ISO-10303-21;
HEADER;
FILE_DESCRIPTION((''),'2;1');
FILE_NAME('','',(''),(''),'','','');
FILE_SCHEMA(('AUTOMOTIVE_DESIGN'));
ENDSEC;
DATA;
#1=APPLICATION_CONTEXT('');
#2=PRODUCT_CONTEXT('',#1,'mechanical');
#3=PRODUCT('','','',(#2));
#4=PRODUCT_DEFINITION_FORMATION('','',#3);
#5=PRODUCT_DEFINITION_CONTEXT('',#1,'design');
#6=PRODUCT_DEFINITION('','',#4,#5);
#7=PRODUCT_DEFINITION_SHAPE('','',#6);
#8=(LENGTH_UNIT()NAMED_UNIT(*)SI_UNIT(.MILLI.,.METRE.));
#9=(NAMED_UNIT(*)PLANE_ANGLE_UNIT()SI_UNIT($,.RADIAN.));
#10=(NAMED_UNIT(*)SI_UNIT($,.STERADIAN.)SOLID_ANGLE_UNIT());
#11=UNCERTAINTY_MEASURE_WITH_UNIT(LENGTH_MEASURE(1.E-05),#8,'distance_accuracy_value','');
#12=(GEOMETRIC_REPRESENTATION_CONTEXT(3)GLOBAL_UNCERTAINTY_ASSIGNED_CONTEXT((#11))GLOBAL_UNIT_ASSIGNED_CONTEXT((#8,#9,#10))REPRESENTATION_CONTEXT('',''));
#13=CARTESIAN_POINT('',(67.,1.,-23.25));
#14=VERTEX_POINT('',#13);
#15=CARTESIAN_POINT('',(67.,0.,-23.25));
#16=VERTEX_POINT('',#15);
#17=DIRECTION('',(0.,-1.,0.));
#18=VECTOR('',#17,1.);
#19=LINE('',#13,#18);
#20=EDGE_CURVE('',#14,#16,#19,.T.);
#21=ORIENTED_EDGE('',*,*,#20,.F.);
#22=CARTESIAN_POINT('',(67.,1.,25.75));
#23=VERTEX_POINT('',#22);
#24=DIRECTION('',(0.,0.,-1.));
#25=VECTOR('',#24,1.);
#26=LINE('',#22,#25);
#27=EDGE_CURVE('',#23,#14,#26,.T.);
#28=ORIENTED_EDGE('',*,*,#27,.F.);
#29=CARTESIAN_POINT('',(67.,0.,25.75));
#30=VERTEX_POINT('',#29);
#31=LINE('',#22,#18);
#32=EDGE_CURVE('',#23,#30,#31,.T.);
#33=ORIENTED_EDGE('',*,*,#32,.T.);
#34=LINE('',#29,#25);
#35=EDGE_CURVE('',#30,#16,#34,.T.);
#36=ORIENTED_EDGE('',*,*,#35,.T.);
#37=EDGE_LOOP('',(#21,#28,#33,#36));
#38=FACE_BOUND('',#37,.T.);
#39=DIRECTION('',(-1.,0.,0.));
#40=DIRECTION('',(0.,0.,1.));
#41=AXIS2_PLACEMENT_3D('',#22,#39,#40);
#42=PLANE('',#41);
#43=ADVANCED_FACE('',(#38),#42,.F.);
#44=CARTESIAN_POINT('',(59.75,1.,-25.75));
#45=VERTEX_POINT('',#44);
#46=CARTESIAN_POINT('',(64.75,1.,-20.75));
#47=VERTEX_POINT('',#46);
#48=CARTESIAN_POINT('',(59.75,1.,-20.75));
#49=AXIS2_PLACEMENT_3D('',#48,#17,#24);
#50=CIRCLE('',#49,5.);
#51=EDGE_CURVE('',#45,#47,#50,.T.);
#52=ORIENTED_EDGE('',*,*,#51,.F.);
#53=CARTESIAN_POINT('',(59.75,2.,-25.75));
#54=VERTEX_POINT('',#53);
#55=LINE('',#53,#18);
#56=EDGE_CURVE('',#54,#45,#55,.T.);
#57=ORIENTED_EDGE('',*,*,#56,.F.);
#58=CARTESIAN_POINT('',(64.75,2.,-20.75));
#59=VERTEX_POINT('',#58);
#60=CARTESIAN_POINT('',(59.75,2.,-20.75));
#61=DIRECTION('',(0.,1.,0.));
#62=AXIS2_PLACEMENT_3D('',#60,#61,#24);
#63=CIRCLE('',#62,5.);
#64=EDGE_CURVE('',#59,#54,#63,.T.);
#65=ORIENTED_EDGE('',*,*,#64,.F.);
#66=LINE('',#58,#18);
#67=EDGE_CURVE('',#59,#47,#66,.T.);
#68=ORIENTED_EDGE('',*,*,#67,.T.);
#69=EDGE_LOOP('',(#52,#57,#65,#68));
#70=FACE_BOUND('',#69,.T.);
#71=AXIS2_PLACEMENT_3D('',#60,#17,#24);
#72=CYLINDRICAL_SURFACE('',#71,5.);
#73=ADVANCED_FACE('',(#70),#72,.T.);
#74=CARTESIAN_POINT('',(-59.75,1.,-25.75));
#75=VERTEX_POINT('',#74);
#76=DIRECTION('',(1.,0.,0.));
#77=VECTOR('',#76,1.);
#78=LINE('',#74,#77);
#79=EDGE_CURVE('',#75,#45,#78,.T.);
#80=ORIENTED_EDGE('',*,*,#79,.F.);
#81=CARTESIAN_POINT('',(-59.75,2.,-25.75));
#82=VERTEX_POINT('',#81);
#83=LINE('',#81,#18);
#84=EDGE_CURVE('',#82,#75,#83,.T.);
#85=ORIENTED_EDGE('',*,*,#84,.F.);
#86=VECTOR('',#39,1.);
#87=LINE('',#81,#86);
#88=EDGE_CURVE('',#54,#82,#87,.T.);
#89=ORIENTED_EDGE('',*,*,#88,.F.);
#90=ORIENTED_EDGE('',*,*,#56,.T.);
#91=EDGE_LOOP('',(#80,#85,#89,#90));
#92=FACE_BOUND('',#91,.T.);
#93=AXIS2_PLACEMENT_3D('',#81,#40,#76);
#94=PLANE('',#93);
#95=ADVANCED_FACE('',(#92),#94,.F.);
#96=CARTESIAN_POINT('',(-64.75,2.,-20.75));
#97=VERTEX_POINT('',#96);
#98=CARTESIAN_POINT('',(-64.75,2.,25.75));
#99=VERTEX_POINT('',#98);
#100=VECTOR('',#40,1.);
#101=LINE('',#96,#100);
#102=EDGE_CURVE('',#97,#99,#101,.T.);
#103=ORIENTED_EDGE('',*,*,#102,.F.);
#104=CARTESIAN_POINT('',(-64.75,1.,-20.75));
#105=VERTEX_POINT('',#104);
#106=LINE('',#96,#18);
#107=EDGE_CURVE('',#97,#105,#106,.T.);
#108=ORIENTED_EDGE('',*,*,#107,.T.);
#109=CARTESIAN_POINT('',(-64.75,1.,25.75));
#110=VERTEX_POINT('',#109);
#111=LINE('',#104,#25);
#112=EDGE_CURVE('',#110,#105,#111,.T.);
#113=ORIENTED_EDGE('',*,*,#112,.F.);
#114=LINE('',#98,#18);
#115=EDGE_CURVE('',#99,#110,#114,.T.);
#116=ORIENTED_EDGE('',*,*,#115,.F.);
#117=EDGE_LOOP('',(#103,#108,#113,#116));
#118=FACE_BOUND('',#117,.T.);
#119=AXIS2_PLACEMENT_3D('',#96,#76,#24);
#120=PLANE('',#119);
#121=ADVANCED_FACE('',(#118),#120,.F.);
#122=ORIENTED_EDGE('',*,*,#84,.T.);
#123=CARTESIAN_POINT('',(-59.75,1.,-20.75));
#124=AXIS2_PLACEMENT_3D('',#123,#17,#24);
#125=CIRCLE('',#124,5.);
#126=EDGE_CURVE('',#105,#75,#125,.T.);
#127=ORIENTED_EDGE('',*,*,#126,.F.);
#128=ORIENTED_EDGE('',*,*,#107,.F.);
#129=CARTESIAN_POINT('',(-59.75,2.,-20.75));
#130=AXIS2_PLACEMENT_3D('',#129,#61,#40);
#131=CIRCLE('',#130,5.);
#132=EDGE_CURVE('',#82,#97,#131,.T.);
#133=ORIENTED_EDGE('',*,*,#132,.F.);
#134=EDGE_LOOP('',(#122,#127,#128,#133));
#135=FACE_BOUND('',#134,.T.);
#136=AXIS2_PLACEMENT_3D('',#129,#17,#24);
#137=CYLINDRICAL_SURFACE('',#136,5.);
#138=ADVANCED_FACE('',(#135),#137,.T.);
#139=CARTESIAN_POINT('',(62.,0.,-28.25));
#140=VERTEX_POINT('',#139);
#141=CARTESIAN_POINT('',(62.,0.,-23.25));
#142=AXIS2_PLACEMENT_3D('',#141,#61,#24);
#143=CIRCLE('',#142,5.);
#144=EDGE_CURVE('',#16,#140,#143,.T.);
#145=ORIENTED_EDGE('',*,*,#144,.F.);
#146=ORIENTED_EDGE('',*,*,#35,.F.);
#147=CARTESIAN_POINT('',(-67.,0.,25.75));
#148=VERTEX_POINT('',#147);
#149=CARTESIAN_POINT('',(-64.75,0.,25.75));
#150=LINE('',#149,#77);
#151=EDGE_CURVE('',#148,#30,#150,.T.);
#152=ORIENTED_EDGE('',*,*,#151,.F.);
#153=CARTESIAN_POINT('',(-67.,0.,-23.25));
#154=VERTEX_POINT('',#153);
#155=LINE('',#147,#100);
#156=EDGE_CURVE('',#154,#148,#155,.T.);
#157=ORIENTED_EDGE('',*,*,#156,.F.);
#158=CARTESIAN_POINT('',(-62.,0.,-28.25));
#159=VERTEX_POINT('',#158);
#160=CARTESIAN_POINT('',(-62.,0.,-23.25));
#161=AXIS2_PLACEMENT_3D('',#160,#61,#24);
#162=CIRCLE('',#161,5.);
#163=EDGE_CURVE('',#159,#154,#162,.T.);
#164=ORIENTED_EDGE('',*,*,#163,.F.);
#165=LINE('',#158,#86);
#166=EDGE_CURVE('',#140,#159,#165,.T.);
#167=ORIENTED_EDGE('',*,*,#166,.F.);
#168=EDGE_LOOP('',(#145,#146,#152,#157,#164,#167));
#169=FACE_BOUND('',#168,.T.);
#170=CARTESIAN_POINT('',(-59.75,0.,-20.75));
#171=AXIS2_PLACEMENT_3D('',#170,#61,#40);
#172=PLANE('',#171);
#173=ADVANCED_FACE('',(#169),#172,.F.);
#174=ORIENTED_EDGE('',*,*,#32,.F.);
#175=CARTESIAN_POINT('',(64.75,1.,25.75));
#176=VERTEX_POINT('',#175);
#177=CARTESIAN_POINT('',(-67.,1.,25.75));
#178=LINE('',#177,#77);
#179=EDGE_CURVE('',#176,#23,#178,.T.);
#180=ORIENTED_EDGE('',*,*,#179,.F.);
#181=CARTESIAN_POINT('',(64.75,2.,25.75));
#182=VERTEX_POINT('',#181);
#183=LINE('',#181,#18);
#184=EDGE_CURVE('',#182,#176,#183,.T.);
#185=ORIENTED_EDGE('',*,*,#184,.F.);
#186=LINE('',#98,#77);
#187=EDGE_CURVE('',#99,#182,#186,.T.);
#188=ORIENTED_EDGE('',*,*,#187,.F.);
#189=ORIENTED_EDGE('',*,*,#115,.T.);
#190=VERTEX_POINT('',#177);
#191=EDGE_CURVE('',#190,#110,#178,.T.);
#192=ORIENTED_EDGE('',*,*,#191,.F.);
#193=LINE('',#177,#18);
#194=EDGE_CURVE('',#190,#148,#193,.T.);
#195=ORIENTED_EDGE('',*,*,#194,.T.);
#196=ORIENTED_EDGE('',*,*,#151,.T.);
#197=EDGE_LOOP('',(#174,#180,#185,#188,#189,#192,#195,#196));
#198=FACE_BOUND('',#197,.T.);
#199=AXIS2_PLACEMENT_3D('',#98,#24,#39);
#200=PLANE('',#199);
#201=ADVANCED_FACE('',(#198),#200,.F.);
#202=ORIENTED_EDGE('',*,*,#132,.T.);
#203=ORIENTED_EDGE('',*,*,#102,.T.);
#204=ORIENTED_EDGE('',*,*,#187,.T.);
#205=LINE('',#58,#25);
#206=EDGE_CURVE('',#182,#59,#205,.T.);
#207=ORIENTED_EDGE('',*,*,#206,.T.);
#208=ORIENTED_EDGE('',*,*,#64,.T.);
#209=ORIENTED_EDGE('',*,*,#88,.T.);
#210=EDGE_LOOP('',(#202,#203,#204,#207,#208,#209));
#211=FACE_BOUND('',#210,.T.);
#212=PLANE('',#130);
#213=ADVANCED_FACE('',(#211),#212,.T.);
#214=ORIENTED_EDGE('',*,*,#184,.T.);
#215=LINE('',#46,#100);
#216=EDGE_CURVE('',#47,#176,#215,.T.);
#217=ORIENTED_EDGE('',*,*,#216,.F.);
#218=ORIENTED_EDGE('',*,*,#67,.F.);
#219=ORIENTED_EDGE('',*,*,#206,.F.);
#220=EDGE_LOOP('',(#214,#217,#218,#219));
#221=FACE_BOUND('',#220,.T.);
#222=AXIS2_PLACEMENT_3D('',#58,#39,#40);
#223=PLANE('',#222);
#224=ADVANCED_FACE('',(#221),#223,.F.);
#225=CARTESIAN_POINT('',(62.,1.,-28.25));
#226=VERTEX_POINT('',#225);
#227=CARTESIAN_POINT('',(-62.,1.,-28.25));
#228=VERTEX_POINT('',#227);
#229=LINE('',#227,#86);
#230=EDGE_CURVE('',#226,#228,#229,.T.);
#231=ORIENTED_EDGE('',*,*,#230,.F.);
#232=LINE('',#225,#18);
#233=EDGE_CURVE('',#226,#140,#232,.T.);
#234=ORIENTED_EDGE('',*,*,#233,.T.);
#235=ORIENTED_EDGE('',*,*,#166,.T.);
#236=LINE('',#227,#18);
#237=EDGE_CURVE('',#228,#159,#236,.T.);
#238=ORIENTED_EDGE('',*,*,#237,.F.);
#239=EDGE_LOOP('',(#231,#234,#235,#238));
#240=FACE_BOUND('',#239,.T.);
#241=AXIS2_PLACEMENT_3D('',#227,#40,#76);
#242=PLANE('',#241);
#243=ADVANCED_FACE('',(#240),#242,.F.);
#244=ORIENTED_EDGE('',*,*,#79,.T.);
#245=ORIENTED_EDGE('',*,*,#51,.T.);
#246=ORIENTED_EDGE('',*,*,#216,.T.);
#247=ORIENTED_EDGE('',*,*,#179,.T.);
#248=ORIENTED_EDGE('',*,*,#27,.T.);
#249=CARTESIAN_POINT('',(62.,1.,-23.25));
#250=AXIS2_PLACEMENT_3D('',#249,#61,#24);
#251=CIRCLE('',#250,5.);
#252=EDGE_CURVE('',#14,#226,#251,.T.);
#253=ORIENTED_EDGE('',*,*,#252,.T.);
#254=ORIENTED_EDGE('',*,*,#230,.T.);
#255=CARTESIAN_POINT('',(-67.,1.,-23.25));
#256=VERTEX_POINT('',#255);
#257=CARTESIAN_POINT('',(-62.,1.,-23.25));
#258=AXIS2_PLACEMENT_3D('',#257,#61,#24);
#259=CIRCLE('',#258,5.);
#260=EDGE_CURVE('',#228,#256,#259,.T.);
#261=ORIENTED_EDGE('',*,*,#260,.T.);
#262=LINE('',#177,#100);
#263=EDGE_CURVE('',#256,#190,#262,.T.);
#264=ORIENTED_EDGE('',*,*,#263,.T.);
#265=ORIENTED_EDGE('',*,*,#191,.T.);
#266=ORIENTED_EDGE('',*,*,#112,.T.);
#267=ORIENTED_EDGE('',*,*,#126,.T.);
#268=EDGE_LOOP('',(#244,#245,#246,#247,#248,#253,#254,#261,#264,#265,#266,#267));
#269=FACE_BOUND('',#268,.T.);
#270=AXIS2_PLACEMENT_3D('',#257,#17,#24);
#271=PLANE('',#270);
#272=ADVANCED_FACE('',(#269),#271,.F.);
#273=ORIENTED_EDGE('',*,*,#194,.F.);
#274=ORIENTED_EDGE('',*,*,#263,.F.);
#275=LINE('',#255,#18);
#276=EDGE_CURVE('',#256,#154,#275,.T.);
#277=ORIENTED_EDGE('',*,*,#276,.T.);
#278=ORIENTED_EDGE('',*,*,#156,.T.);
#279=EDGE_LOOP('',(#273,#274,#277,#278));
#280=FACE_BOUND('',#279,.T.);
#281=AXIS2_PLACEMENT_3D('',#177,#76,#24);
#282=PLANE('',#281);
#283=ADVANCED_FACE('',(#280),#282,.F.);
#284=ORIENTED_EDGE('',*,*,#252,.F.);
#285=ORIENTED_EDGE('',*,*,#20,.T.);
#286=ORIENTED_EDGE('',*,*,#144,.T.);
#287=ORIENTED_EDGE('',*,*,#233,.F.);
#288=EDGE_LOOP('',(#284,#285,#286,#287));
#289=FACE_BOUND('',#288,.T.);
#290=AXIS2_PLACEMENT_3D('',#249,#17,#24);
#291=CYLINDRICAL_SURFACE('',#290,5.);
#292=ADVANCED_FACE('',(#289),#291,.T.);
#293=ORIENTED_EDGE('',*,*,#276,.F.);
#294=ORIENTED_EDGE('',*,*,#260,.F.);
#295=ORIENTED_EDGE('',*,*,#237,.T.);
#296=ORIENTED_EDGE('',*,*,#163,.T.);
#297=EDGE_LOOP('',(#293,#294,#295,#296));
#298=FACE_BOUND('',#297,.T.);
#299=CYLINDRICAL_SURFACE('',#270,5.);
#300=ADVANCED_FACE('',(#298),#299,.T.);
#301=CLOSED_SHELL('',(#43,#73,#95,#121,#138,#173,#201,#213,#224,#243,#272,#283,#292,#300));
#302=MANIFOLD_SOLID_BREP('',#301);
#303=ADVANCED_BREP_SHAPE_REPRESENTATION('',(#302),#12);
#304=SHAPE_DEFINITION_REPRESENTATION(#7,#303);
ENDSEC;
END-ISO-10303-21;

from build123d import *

# Parameters (mm, degrees)
BOSS_EXTRUDE1_DEPTH = 2
BOSS_EXTRUDE2_DEPTH = 1


with BuildPart() as part:
    # Sketch1 → Boss-Extrude1 (new body)
    with BuildSketch(Plane(origin=(0, 0, 0), x_dir=(1, 0, 0), z_dir=(0, 1, 0))):
        with BuildLine():
            Line((-59.75, 25.75), (59.75, 25.75))
            ThreePointArc((59.75, 25.75), (63.285533906, 24.285533906), (64.75, 20.75))
            Line((64.75, 20.75), (64.75, -25.75))
            Line((64.75, -25.75), (-64.75, -25.75))
            Line((-64.75, -25.75), (-64.75, 20.75))
            ThreePointArc((-64.75, 20.75), (-63.285533906, 24.285533906), (-59.75, 25.75))
        make_face()
    extrude(amount=BOSS_EXTRUDE1_DEPTH)

    # Sketch2 → Boss-Extrude2 (add)
    with BuildSketch(Plane(origin=(0, 0, 0), x_dir=(1, 0, 0), z_dir=(0, 1, 0))):
        with BuildLine():
            Line((-67, -25.75), (67, -25.75))
            Line((67, -25.75), (67, 23.25))
            ThreePointArc((67, 23.25), (65.535533906, 26.785533906), (62, 28.25))
            Line((62, 28.25), (-62, 28.25))
            ThreePointArc((-62, 28.25), (-65.535533906, 26.785533906), (-67, 23.25))
            Line((-67, 23.25), (-67, -25.75))
        make_face()
    extrude(amount=BOSS_EXTRUDE2_DEPTH)


solid = part.part
